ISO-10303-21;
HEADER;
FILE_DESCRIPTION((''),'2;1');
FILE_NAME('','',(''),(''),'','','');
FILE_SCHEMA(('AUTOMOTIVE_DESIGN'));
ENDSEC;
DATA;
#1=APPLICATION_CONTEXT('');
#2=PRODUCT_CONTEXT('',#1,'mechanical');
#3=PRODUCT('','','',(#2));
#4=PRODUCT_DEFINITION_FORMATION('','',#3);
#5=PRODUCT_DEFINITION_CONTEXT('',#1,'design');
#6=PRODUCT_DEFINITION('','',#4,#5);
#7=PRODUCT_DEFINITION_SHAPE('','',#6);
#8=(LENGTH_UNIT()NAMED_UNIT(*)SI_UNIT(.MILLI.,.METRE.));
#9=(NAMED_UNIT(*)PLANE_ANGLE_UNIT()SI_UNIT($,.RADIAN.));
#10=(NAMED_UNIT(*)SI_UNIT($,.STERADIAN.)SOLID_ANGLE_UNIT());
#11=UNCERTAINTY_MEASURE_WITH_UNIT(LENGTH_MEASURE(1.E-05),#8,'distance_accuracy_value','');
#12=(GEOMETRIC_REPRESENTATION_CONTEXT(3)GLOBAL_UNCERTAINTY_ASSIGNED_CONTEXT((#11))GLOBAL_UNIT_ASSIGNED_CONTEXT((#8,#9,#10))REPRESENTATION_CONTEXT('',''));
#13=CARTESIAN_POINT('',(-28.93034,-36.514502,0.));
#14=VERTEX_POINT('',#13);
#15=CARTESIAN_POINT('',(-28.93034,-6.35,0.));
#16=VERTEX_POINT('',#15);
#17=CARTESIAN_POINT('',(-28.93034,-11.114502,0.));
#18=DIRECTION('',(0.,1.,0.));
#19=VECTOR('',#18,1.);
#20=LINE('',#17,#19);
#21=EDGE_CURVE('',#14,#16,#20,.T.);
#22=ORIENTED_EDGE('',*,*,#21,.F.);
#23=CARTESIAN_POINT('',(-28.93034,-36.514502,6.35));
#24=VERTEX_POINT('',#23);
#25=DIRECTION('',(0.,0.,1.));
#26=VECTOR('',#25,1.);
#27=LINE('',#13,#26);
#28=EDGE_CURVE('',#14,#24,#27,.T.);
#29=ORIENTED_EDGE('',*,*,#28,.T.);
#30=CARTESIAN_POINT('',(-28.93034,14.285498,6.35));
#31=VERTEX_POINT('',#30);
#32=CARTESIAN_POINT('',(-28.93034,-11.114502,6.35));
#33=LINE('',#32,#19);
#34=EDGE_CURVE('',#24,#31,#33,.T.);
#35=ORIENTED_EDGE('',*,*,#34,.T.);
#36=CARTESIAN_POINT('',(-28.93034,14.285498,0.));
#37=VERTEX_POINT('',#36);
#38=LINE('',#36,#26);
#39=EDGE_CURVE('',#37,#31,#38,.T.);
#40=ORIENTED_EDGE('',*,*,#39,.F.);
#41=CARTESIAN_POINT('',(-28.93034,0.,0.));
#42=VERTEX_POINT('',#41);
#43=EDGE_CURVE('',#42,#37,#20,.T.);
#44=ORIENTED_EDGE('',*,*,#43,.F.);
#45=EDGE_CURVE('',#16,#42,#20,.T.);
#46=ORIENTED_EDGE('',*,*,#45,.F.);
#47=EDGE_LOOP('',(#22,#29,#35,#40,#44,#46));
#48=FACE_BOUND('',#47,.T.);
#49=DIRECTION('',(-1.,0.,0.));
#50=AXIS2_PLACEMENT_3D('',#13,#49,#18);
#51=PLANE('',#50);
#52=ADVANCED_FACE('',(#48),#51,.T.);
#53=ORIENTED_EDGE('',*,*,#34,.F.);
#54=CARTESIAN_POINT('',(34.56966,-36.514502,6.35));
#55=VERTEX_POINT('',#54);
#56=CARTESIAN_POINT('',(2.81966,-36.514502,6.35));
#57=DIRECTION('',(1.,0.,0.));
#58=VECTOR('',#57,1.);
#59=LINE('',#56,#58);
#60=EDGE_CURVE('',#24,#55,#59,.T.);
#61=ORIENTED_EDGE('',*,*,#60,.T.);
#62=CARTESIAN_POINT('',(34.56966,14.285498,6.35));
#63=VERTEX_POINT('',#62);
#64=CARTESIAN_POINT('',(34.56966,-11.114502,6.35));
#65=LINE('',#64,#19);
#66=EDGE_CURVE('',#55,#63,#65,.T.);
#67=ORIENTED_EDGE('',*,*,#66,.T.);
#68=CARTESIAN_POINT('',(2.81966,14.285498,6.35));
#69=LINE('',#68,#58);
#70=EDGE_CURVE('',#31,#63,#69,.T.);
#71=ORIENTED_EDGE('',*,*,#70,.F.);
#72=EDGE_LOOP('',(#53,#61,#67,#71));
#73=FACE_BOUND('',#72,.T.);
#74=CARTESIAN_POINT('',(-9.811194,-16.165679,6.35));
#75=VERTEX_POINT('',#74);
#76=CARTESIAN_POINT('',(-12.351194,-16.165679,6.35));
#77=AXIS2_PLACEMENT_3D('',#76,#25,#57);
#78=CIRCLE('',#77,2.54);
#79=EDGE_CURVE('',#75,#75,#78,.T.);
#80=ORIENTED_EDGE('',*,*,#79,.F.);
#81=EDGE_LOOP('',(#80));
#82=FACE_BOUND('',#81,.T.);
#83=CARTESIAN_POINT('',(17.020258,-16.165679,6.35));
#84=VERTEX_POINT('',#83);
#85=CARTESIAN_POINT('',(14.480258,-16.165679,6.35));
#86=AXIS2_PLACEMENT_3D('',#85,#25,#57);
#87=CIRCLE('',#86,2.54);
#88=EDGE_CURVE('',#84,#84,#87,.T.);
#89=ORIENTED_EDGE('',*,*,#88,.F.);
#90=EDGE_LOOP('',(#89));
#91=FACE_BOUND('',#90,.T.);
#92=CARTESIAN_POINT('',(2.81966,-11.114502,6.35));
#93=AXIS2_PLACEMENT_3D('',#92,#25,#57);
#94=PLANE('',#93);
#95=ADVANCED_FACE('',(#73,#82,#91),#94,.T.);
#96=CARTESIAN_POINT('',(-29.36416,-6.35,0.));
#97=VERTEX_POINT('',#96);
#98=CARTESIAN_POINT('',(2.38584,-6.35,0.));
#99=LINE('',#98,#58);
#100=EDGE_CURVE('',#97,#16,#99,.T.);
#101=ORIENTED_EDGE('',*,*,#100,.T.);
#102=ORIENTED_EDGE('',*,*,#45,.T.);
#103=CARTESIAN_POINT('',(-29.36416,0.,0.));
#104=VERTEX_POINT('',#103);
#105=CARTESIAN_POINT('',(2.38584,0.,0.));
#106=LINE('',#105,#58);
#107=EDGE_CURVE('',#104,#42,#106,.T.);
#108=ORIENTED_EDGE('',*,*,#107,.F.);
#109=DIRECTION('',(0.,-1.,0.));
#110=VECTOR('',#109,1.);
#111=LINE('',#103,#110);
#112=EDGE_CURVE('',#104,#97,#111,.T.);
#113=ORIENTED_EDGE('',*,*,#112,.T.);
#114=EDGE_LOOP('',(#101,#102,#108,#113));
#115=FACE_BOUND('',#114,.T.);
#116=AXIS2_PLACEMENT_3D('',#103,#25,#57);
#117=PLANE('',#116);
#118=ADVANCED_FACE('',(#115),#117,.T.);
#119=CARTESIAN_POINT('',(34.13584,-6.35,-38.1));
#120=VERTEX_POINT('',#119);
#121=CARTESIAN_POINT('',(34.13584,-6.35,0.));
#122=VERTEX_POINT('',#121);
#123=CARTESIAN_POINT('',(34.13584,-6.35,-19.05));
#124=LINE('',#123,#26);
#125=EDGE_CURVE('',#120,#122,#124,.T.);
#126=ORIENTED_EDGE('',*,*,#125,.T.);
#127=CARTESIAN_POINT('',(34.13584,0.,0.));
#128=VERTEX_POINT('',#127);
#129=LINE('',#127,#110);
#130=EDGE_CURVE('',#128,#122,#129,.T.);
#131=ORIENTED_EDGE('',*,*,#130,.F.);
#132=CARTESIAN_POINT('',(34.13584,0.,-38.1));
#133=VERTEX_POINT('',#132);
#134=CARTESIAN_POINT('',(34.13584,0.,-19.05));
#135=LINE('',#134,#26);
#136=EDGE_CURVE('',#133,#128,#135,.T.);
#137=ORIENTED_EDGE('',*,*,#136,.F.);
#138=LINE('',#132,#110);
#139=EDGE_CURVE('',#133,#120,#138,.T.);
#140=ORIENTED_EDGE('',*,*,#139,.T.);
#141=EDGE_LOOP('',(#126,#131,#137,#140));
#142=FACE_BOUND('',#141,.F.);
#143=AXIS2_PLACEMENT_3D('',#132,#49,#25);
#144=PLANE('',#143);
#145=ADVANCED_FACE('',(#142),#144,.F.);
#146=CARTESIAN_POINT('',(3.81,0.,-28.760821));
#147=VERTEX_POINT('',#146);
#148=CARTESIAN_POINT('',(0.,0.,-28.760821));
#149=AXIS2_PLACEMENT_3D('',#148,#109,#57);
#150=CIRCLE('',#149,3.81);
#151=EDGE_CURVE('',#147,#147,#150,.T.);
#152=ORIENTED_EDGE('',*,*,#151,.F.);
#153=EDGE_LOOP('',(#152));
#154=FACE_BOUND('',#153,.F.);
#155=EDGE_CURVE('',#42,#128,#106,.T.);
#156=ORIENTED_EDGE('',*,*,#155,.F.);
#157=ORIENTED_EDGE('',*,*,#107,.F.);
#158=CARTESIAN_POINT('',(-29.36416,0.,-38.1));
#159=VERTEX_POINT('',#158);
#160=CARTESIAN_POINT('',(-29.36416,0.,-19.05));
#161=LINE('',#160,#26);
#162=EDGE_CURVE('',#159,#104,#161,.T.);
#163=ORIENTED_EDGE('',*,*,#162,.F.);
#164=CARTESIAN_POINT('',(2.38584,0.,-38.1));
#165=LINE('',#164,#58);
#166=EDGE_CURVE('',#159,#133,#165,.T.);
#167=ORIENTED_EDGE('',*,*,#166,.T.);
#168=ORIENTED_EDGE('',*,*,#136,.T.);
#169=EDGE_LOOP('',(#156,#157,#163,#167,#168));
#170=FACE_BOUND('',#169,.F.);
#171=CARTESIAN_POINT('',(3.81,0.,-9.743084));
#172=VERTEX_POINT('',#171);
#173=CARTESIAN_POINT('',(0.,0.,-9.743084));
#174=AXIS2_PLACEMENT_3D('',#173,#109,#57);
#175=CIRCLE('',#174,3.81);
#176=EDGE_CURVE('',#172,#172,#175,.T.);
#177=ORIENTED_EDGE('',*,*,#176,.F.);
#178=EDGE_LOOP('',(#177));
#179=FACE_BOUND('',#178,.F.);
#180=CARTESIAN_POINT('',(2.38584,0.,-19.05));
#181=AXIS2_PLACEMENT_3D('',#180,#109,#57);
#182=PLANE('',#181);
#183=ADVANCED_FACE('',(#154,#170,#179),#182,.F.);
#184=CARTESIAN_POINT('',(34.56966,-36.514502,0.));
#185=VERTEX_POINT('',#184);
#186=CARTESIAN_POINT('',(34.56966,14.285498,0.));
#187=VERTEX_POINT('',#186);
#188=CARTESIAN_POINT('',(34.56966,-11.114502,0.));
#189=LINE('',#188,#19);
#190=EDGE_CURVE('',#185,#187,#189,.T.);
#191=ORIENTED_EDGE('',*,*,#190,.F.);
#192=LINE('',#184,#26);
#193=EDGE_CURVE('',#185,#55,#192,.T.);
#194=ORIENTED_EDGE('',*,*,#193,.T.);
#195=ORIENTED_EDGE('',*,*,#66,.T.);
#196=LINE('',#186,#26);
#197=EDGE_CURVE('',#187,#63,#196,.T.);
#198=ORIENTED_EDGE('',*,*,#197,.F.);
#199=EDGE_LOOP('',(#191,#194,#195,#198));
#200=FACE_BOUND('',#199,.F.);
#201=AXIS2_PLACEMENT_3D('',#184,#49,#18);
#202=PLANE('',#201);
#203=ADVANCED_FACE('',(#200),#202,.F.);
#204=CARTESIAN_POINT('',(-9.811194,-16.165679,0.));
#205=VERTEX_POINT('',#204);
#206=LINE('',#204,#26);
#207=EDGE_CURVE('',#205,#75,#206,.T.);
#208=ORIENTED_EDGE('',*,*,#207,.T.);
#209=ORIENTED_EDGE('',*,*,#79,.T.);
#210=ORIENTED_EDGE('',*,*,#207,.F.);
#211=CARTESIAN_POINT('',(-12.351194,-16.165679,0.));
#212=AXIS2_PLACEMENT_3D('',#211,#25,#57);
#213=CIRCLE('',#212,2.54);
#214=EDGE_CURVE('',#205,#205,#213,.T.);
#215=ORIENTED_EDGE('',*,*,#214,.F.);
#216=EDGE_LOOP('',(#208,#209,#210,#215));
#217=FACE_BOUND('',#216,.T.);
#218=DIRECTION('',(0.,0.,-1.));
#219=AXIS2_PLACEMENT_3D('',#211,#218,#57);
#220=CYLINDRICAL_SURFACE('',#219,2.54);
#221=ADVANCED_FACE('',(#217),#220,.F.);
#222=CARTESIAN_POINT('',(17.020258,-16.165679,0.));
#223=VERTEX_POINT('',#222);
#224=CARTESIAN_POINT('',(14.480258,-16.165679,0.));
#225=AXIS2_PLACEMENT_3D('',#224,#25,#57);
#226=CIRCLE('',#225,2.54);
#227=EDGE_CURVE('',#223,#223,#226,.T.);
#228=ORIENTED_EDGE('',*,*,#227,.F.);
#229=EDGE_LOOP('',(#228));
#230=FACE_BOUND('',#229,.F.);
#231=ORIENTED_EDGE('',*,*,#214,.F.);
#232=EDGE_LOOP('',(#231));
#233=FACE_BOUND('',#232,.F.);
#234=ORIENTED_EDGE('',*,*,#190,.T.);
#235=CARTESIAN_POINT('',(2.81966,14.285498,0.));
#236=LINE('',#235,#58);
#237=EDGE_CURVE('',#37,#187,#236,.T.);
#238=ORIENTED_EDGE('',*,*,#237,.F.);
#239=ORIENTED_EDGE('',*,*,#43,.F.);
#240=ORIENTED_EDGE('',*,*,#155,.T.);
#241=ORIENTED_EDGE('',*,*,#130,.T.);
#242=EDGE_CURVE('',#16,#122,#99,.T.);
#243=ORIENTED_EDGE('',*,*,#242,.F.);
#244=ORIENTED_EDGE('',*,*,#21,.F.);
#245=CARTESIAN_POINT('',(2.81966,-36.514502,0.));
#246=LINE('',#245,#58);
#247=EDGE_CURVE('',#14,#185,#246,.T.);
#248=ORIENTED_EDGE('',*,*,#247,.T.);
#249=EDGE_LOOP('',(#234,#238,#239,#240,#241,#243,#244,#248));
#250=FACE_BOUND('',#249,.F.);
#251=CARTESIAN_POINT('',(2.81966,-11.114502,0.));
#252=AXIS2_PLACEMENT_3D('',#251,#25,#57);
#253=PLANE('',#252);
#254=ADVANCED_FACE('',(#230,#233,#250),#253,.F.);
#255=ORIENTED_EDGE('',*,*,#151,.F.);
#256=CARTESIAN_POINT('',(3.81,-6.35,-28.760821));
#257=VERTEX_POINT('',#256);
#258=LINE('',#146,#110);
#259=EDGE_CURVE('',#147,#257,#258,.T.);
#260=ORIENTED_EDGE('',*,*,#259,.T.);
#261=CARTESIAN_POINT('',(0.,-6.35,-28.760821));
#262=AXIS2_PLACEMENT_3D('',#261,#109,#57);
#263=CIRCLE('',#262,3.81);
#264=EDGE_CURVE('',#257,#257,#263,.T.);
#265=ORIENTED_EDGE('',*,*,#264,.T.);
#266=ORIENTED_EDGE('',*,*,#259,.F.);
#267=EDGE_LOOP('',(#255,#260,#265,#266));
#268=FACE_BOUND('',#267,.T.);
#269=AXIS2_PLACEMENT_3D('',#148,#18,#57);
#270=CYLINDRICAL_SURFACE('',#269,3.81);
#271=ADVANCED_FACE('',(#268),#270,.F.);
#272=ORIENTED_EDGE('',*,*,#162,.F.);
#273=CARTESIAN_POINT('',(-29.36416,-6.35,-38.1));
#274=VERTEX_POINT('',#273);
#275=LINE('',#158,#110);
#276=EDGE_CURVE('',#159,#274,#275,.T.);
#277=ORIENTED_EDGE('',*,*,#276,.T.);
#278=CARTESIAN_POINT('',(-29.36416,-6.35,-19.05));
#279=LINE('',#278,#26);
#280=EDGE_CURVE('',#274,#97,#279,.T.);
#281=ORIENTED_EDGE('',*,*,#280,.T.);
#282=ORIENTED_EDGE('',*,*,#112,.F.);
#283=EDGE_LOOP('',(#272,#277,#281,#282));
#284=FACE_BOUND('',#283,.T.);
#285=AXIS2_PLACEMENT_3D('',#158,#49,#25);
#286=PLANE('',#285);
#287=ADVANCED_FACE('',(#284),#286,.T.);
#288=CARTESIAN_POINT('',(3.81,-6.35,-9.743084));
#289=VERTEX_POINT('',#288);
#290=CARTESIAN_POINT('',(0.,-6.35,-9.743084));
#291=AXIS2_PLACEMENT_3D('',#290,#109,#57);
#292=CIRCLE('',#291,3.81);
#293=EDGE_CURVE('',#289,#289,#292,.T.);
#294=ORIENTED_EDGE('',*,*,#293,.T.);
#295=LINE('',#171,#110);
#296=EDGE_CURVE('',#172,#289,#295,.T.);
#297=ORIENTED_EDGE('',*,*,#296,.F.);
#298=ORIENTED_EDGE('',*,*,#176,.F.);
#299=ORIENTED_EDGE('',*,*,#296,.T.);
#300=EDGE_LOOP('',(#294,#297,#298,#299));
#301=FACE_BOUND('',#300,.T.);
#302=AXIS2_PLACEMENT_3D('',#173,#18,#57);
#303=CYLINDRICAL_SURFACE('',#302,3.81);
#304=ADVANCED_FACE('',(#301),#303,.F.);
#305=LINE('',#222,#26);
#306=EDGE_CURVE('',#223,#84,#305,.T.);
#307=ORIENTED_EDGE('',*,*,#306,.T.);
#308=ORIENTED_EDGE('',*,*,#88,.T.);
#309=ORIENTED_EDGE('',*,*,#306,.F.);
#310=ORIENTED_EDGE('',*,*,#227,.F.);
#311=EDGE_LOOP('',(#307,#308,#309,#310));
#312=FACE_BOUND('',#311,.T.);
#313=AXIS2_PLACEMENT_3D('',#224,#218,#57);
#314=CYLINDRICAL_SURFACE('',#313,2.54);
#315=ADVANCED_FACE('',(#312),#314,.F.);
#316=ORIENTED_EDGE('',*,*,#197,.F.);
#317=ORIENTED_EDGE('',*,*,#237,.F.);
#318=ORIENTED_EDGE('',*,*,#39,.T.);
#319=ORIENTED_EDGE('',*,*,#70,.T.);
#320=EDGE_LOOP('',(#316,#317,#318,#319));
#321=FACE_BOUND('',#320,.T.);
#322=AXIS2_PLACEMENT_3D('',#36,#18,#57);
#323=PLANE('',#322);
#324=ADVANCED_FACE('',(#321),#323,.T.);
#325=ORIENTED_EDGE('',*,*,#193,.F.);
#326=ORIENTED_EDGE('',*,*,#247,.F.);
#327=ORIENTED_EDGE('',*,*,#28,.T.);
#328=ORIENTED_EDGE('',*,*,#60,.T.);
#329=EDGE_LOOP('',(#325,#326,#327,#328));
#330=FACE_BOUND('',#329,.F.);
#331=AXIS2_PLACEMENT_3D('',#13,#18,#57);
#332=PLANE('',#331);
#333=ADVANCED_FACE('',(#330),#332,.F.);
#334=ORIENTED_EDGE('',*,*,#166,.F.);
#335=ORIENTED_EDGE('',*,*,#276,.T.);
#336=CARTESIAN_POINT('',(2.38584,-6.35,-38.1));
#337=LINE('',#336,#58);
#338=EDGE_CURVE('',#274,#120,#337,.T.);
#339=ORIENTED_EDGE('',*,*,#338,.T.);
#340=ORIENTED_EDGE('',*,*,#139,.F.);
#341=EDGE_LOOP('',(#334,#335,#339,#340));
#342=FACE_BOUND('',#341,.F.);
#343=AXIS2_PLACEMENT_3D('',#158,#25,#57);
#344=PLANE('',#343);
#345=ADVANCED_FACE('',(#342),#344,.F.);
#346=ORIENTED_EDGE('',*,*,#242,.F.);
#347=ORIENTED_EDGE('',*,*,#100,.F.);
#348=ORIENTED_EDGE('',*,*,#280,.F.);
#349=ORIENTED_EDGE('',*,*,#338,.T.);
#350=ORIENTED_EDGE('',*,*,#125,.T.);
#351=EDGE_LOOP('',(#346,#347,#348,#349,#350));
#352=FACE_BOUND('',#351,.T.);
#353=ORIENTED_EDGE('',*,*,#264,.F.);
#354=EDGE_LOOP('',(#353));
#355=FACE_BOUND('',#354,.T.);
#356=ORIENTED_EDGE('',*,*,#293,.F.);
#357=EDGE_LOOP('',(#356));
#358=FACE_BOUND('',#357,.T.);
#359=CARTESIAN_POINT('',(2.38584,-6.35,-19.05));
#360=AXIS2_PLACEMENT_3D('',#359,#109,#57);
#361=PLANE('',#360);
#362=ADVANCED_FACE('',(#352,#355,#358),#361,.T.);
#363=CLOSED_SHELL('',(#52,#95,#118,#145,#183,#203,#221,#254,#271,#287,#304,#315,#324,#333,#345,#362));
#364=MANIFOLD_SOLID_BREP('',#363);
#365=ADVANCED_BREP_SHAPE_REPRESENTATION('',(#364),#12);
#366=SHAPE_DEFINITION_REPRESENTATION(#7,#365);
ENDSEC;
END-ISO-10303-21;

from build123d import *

# Parameters (mm, degrees)
F0_W     = 63.5
F0_H     = 50.8
F0_R     = 2.54
F2_DEPTH = 6.35
F1_W     = 63.5
F1_H     = 38.1
F1_R     = 3.81
F3_DEPTH = 6.35


with BuildPart() as f2:
    # F0 (on Top) → F2 (new body)
    with BuildSketch(Plane.XY):
        with Locations((2.81966, -11.114502)):
            Rectangle(F0_W, F0_H)
        with Locations((-12.351194, -16.165679)):
            Circle(F0_R, mode=Mode.SUBTRACT)
        with Locations((14.480258, -16.165679)):
            Circle(F0_R, mode=Mode.SUBTRACT)
    extrude(amount=F2_DEPTH)

    # F1 (on Front) → F3 (join)
    with BuildSketch(Plane.XZ):
        with Locations((2.38584, -19.05)):
            Rectangle(F1_W, F1_H)
        with Locations((0, -28.760821)):
            Circle(F1_R, mode=Mode.SUBTRACT)
        with Locations((0, -9.743084)):
            Circle(F1_R, mode=Mode.SUBTRACT)
    extrude(amount=F3_DEPTH)


solid = f2.part
